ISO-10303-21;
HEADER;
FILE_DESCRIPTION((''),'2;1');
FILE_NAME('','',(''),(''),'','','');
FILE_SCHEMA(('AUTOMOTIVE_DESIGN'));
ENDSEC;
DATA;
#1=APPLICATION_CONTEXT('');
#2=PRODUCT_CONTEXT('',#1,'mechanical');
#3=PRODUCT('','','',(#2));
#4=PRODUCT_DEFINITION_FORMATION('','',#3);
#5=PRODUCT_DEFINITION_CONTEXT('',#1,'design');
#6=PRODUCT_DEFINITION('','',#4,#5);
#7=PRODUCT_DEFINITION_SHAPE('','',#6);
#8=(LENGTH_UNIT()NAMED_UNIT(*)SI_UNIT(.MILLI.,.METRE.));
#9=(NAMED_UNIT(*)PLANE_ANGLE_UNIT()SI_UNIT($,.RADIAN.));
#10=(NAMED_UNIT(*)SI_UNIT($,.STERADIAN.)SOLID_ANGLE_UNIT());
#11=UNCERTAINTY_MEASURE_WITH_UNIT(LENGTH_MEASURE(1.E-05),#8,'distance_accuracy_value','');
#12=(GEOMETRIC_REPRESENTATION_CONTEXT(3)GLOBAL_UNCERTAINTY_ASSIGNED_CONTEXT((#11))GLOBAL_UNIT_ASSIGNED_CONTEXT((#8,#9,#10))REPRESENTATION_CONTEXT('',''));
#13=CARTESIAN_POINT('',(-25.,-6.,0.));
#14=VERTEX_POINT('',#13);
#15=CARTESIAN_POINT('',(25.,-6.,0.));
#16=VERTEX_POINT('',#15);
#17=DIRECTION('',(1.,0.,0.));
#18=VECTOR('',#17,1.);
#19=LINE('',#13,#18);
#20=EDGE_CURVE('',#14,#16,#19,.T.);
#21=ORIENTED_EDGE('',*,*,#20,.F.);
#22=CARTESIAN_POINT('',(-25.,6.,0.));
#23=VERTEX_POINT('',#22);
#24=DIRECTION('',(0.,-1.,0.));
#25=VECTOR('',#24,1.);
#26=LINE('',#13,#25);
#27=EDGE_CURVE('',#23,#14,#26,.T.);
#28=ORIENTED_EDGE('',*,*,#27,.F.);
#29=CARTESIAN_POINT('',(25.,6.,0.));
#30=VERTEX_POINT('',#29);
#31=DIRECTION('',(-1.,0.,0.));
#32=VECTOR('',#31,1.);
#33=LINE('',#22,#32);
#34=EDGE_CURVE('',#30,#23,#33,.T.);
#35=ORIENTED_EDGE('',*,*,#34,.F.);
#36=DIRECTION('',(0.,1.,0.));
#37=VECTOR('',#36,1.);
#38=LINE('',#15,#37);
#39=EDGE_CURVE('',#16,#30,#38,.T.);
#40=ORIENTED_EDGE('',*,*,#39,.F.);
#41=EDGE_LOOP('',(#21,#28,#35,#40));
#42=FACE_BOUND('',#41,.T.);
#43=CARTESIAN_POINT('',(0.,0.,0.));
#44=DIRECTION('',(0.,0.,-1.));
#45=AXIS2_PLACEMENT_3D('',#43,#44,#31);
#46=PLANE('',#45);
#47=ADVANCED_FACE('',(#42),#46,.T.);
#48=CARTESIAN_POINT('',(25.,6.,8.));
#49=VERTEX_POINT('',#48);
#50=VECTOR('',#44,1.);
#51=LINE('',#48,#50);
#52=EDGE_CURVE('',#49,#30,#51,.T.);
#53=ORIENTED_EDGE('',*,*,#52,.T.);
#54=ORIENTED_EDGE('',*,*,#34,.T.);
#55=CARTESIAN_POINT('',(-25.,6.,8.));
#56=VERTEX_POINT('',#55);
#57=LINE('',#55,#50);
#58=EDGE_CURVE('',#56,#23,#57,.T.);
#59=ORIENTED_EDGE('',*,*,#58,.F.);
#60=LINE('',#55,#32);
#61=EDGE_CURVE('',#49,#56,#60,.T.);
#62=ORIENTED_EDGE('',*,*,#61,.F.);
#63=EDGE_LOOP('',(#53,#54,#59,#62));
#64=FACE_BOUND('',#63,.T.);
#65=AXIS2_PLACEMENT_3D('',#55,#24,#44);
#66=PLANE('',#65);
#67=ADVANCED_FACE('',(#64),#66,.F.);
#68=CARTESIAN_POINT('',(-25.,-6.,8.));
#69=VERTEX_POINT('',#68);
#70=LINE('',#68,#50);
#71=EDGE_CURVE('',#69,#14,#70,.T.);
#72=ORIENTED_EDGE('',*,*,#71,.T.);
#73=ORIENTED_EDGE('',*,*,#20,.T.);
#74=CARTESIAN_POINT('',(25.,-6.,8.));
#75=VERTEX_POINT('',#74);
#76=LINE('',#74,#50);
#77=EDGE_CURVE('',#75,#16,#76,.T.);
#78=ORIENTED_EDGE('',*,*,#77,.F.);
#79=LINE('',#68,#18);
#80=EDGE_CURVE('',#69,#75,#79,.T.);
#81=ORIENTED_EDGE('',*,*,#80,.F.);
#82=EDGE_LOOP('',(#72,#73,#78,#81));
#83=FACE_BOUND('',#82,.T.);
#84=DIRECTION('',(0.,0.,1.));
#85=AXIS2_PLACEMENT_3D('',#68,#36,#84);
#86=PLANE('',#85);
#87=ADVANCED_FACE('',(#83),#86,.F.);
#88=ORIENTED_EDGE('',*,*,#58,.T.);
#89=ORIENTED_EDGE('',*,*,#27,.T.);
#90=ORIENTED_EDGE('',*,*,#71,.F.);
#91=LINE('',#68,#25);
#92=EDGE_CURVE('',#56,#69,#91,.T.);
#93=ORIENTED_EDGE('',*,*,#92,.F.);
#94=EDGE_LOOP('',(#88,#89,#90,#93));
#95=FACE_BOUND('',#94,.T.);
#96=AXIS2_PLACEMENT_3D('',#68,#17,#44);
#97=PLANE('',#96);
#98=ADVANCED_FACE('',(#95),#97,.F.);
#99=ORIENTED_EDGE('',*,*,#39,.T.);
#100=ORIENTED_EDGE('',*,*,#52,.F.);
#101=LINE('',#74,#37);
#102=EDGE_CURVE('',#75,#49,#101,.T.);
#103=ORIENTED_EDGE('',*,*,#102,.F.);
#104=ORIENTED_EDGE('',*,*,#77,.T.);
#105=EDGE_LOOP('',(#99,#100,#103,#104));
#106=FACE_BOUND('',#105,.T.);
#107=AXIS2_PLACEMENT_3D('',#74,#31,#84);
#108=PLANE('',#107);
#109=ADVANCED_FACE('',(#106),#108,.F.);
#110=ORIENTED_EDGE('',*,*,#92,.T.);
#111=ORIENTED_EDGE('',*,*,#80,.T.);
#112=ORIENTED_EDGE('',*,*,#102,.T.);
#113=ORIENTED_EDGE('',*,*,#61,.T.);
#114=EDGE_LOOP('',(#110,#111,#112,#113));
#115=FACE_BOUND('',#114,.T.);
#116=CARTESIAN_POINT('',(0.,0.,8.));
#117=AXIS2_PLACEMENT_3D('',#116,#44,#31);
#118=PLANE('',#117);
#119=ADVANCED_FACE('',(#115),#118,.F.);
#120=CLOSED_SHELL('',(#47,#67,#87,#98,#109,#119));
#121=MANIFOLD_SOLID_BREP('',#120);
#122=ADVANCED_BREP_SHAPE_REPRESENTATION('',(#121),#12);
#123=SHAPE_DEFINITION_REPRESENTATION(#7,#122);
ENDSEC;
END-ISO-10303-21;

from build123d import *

# Parameters (mm, degrees)
SKETCH_1_W      = 50
SKETCH_1_H      = 12
EXTRUDE_1_DEPTH = 8


with BuildPart() as part:
    # 草图1 → 凸台-拉伸1 (new body)
    with BuildSketch(Plane.XY):
        Rectangle(SKETCH_1_W, SKETCH_1_H)
    extrude(amount=EXTRUDE_1_DEPTH)


solid = part.part
